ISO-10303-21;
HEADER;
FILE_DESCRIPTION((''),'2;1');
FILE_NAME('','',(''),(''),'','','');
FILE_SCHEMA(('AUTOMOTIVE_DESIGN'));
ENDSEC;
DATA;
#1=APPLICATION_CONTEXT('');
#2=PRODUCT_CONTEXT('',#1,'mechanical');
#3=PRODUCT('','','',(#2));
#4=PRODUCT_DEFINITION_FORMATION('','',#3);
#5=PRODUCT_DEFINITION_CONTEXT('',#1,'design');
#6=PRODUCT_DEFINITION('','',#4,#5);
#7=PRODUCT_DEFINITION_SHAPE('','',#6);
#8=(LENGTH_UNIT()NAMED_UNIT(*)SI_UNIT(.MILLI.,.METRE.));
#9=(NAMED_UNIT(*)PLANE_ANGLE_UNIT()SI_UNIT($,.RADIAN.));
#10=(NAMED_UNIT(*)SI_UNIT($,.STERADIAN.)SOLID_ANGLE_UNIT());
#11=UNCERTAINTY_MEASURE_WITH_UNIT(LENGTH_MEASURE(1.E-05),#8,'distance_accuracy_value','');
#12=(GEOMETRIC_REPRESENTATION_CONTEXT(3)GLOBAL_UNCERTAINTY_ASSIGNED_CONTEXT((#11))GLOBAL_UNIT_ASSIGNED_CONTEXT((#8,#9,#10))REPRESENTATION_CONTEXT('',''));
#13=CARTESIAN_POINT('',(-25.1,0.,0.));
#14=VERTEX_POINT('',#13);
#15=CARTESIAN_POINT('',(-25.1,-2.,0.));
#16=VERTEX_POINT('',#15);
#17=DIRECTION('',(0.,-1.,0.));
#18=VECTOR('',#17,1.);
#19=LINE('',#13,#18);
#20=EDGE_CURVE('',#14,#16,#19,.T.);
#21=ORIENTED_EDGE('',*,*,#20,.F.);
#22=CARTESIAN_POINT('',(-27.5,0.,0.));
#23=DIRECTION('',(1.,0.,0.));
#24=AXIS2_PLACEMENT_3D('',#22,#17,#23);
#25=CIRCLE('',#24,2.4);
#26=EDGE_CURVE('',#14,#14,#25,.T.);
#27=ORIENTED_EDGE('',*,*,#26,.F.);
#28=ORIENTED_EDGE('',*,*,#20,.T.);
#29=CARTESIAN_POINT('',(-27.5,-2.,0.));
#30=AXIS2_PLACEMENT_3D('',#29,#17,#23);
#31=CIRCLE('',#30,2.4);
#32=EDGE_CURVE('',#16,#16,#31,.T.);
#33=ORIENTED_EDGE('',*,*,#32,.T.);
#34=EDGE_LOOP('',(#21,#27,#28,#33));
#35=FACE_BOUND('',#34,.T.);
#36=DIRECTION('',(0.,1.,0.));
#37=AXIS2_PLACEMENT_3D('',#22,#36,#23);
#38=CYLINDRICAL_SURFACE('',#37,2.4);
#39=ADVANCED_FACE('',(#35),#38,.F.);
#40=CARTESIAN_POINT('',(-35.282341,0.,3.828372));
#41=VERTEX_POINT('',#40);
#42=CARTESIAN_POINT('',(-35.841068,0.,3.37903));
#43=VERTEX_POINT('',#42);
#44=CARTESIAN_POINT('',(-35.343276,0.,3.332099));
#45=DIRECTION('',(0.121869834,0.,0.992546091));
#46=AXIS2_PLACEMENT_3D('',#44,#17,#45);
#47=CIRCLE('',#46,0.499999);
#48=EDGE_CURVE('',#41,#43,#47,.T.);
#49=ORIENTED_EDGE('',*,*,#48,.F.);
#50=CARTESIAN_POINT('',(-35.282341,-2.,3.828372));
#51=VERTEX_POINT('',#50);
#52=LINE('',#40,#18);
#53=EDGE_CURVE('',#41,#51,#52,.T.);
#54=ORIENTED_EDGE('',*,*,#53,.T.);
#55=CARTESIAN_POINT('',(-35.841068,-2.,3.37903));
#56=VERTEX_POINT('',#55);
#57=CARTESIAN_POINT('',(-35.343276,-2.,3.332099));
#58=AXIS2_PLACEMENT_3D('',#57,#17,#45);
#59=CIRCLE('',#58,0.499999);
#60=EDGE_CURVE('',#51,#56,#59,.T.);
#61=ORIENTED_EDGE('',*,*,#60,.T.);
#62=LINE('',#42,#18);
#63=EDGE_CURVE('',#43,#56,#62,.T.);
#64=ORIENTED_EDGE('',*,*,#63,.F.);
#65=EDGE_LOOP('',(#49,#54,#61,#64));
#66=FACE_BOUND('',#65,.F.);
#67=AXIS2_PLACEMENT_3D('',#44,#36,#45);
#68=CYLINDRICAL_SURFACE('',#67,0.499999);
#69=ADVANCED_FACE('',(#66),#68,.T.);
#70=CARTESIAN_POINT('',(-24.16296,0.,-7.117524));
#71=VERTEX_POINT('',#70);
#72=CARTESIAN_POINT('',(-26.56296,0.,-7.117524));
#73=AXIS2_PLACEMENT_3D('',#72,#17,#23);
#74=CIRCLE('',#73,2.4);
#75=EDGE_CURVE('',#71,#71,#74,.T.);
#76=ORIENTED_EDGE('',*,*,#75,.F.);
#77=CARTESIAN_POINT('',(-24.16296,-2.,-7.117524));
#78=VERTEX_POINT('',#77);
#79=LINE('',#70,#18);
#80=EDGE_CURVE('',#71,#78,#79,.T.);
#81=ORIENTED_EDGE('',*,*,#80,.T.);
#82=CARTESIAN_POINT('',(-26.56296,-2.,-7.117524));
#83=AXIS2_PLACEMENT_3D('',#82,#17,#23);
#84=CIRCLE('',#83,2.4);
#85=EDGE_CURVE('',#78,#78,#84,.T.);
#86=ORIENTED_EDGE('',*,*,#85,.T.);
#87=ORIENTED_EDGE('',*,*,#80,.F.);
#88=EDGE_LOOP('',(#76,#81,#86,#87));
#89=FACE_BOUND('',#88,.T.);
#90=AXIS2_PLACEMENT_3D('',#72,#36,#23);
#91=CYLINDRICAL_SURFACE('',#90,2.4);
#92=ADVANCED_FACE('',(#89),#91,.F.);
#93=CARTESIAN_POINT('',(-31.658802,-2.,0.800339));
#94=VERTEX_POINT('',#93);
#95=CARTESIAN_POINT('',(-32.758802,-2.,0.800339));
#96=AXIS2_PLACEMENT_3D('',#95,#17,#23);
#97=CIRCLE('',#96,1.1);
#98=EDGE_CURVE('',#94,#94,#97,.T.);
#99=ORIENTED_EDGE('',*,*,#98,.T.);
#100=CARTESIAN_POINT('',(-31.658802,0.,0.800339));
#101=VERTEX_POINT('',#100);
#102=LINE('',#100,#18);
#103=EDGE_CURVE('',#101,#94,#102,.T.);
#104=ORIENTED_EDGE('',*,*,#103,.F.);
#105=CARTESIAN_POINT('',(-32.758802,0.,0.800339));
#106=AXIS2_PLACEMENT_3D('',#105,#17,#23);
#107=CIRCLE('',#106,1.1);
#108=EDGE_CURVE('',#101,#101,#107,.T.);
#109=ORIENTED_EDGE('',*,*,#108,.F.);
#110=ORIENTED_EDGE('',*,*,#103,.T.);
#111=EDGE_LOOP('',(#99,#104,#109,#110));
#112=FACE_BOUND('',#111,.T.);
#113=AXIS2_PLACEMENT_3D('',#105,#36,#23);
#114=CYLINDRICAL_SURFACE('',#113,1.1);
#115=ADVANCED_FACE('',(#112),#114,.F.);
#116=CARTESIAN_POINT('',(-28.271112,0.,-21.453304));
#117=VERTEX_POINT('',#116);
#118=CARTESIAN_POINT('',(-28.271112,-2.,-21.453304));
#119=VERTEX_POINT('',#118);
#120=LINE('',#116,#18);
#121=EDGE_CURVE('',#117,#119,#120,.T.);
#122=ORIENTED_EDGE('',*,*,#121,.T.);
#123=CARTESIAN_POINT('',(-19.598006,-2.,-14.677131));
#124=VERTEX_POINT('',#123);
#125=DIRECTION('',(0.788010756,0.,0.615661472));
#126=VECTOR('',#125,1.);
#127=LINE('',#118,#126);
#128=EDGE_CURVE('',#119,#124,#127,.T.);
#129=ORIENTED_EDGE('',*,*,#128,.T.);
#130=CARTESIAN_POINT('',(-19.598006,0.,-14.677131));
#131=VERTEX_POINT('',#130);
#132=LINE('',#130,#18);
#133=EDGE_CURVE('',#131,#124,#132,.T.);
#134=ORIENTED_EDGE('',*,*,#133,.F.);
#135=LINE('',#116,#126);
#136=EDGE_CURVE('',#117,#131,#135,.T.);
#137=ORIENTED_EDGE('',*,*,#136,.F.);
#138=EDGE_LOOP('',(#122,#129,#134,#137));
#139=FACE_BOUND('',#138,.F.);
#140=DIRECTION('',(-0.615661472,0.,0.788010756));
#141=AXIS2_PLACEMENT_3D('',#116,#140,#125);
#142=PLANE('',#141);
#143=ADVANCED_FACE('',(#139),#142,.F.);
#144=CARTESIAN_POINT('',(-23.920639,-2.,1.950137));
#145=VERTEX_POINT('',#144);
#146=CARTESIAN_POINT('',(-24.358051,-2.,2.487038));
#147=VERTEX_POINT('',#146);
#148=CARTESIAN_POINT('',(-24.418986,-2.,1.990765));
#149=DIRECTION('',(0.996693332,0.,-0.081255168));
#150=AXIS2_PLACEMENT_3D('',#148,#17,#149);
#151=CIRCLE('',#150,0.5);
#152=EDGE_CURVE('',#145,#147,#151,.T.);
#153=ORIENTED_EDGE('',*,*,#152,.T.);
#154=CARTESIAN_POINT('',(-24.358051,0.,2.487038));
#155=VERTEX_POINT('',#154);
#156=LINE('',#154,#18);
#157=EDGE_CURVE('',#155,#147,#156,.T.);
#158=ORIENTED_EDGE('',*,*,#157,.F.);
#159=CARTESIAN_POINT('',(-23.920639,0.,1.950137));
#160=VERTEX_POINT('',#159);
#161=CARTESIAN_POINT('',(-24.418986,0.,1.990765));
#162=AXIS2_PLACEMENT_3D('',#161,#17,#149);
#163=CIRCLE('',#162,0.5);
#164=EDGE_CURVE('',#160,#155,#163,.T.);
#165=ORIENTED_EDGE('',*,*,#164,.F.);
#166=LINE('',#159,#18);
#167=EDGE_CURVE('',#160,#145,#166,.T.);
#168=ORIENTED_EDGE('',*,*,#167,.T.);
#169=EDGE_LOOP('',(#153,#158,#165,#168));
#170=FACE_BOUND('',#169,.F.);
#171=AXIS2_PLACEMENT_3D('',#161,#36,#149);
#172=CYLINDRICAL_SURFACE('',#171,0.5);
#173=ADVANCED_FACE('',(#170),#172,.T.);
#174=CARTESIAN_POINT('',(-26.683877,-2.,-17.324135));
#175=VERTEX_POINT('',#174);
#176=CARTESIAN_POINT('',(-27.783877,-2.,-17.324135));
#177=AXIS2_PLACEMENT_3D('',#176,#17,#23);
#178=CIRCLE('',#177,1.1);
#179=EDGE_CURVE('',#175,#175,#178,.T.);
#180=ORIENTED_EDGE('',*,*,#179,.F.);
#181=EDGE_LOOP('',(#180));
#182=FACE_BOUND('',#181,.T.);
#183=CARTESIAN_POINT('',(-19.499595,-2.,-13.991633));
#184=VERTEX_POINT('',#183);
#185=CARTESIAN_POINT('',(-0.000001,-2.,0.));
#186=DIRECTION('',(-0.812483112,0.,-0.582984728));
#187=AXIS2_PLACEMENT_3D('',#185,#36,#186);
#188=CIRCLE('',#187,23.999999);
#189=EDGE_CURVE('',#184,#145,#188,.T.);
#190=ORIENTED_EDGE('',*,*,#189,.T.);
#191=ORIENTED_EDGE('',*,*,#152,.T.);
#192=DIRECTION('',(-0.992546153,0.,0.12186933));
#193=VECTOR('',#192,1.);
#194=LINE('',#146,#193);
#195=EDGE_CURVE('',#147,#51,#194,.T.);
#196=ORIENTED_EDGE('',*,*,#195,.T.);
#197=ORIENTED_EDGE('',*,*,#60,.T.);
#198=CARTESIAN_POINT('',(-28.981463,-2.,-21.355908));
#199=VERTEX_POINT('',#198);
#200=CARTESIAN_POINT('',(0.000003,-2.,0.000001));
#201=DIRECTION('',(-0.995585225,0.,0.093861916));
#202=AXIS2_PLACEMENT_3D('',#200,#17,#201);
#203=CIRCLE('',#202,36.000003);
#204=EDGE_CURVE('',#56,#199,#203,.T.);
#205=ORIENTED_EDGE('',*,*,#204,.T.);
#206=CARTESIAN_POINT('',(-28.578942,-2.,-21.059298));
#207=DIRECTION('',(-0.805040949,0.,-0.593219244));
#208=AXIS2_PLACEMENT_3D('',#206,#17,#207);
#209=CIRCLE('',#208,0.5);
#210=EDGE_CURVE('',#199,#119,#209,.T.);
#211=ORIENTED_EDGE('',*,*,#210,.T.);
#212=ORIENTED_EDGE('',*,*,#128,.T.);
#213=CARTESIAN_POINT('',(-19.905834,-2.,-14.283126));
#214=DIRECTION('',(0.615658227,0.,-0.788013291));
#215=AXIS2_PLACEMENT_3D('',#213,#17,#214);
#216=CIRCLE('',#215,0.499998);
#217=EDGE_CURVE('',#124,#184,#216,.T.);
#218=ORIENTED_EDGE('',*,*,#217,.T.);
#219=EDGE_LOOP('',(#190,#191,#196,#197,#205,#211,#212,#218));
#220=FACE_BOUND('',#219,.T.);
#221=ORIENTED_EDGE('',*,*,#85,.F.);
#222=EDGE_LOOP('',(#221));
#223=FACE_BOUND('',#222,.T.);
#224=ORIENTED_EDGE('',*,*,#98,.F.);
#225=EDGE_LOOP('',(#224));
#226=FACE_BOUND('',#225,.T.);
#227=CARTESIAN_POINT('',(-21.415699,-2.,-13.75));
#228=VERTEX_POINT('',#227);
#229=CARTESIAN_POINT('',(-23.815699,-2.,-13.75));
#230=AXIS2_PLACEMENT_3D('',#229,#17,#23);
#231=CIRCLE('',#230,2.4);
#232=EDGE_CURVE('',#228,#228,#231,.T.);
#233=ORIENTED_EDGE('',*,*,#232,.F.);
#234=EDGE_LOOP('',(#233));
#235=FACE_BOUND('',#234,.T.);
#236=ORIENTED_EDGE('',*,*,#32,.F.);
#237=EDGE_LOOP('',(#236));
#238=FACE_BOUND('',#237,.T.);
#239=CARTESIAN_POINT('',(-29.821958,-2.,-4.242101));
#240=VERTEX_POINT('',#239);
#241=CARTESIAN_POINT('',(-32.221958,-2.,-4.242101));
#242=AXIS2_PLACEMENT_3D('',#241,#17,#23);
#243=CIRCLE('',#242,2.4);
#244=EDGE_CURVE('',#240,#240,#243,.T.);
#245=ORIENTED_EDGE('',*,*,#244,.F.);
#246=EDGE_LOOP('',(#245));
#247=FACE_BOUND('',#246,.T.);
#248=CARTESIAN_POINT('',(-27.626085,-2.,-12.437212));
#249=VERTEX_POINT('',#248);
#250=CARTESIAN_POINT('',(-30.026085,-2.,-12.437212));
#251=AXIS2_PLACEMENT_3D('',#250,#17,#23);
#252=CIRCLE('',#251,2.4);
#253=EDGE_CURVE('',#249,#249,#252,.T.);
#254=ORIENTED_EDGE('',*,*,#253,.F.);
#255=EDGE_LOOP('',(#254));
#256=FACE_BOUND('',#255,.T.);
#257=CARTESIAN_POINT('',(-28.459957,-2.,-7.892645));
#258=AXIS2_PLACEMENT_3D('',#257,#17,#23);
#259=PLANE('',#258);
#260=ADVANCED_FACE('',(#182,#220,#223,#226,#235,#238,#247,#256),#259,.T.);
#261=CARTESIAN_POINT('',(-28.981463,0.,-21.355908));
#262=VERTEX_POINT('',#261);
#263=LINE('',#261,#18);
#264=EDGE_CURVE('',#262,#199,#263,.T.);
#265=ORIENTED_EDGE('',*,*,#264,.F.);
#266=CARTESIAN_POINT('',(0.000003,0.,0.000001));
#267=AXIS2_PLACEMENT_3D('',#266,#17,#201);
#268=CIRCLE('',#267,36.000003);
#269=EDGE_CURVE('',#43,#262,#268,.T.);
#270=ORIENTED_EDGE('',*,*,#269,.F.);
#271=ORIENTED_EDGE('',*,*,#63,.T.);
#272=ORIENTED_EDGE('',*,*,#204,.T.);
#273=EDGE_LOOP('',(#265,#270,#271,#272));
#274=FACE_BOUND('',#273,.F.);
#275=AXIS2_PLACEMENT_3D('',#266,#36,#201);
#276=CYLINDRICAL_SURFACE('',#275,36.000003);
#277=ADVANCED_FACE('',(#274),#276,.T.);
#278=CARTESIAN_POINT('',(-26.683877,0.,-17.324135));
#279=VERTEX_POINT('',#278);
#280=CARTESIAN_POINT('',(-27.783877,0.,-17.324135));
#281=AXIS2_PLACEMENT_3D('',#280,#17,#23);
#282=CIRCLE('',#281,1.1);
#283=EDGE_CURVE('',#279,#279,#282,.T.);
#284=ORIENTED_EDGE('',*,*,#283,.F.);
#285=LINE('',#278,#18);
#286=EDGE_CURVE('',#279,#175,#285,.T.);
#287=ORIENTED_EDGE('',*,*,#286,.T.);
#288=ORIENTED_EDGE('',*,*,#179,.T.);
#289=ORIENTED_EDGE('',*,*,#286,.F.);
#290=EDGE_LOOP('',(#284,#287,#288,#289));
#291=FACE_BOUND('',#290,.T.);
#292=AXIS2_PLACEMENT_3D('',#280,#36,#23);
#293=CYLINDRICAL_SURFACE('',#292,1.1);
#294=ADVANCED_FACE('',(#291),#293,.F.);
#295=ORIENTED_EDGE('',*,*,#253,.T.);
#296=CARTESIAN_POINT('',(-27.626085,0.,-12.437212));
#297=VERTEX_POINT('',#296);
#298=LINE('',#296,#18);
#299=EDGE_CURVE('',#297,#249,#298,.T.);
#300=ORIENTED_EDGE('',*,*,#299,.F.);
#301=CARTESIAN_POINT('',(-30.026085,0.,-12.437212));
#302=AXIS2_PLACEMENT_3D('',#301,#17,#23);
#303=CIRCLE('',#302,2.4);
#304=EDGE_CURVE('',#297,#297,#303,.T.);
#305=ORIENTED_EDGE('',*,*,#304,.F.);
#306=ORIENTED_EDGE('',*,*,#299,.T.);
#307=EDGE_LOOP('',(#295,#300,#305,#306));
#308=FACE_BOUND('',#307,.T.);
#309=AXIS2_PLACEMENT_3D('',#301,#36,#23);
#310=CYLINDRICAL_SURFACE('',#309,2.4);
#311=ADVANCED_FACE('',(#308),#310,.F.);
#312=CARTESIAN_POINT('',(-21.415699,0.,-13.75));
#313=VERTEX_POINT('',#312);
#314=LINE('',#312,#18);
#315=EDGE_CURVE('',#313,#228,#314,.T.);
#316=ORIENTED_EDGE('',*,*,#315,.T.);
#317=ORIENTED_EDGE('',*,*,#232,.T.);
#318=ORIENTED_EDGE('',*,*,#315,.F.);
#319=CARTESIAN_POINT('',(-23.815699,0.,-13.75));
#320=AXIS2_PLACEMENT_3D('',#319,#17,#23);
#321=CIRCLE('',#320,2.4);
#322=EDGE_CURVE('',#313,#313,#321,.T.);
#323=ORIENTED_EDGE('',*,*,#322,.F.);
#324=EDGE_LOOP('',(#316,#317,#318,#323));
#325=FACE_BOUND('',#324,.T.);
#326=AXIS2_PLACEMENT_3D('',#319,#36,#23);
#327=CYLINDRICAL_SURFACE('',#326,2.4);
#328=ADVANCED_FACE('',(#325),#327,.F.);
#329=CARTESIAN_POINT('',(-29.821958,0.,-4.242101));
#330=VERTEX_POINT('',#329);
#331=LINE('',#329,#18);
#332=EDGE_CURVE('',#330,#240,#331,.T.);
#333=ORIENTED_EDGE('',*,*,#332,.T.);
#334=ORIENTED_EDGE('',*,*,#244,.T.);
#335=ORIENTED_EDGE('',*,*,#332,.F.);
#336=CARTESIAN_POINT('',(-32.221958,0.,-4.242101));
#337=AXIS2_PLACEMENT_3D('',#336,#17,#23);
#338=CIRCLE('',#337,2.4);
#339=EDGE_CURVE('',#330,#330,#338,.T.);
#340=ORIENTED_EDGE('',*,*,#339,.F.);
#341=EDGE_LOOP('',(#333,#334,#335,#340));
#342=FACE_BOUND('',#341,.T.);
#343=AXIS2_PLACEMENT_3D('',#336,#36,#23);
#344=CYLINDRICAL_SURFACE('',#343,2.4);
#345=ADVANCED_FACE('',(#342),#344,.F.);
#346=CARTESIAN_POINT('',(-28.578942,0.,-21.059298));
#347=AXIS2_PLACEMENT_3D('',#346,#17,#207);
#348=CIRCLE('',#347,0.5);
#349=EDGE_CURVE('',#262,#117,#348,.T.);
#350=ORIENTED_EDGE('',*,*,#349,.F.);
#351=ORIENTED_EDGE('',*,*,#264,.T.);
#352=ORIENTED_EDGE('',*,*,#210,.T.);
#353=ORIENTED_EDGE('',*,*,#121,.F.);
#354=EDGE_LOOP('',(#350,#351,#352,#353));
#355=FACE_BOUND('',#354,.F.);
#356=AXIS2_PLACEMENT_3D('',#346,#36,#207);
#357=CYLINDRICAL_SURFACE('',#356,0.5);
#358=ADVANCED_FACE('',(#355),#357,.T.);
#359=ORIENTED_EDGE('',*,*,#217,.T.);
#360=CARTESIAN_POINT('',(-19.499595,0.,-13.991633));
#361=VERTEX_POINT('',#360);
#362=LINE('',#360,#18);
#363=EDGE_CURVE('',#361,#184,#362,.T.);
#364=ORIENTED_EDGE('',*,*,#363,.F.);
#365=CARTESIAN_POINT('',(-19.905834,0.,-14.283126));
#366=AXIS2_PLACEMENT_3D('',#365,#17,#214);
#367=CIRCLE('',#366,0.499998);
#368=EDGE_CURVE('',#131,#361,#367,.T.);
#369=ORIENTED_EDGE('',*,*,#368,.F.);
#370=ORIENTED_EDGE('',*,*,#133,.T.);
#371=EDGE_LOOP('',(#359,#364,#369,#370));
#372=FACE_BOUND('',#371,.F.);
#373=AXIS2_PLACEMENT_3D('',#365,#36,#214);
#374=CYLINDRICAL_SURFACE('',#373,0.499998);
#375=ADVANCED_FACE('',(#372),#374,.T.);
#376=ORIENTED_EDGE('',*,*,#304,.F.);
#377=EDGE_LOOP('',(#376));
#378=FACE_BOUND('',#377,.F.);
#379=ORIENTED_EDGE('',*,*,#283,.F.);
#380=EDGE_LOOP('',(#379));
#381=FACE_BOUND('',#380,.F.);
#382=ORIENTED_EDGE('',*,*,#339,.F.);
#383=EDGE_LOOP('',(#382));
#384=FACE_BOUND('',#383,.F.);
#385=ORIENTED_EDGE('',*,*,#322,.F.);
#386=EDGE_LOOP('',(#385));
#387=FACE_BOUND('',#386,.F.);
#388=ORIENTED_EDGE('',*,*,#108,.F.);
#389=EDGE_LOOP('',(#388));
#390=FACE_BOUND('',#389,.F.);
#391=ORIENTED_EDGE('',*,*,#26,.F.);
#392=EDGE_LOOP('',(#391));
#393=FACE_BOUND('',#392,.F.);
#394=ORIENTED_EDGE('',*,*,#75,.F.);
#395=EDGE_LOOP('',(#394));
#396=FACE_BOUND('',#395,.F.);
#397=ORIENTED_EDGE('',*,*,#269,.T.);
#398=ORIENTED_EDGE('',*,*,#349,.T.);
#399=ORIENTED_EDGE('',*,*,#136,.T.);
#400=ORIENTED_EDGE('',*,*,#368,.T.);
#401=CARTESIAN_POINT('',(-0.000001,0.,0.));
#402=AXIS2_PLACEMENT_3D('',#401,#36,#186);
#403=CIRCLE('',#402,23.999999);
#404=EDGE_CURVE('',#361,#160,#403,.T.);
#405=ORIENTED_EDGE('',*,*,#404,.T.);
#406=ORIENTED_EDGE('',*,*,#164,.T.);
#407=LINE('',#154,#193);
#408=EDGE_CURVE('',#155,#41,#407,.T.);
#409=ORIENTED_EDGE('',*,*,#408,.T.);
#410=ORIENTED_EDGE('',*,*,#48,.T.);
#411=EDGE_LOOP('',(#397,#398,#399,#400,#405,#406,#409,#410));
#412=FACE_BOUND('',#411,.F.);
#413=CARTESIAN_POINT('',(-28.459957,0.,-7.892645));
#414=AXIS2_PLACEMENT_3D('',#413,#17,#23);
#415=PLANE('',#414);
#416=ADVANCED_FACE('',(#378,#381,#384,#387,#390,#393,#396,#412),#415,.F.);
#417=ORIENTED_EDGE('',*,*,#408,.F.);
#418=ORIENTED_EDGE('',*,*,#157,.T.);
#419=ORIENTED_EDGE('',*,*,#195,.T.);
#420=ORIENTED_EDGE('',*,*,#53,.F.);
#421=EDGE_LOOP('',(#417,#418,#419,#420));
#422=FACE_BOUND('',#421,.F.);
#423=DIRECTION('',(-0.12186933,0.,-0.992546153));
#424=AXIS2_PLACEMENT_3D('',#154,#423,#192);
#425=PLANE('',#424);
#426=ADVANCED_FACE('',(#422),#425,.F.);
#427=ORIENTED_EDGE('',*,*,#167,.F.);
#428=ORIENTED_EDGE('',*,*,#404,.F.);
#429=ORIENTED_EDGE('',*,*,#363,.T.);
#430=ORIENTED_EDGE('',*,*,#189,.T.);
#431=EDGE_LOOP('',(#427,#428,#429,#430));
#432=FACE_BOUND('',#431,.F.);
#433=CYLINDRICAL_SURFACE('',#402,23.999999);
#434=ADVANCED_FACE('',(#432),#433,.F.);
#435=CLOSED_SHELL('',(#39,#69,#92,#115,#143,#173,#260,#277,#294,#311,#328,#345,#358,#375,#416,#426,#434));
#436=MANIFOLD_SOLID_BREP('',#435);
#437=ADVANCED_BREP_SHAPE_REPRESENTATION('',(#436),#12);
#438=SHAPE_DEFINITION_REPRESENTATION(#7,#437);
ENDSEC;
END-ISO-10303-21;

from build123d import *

# Parameters (mm, degrees)
F0_R     = 1.1
F0_R_2   = 2.4
F1_DEPTH = 2


with BuildPart() as f1:
    # F0 (on Front) → F1 (new body)
    with BuildSketch(Plane.XZ):
        with BuildLine():
            ThreePointArc((-19.499595, -13.991633), (-23.127131, -6.413721), (-23.920639, 1.950137))
            ThreePointArc((-23.920639, 1.950137), (-24.031346, 2.306574), (-24.358051, 2.487038))
            Line((-24.358051, 2.487038), (-35.282341, 3.828372))
            ThreePointArc((-35.282341, 3.828372), (-35.656626, 3.721729), (-35.841068, 3.37903))
            ThreePointArc((-35.841068, 3.37903), (-34.690696, -9.620582), (-28.981463, -21.355908))
            ThreePointArc((-28.981463, -21.355908), (-28.646861, -21.554664), (-28.271112, -21.453304))
            Line((-28.271112, -21.453304), (-19.598006, -14.677131))
            ThreePointArc((-19.598006, -14.677131), (-19.41091, -14.354178), (-19.499595, -13.991633))
        make_face()
        with Locations((-27.783877, -17.324135)):
            Circle(F0_R, mode=Mode.SUBTRACT)
        with Locations((-30.026085, -12.437212)):
            Circle(F0_R_2, mode=Mode.SUBTRACT)
        with Locations((-23.815699, -13.75)):
            Circle(F0_R_2, mode=Mode.SUBTRACT)
        with Locations((-26.56296, -7.117524)):
            Circle(F0_R_2, mode=Mode.SUBTRACT)
        with Locations((-32.221958, -4.242101)):
            Circle(F0_R_2, mode=Mode.SUBTRACT)
        with Locations((-32.758802, 0.800339)):
            Circle(F0_R, mode=Mode.SUBTRACT)
        with Locations((-27.5, 0)):
            Circle(F0_R_2, mode=Mode.SUBTRACT)
    extrude(amount=F1_DEPTH)


solid = f1.part
